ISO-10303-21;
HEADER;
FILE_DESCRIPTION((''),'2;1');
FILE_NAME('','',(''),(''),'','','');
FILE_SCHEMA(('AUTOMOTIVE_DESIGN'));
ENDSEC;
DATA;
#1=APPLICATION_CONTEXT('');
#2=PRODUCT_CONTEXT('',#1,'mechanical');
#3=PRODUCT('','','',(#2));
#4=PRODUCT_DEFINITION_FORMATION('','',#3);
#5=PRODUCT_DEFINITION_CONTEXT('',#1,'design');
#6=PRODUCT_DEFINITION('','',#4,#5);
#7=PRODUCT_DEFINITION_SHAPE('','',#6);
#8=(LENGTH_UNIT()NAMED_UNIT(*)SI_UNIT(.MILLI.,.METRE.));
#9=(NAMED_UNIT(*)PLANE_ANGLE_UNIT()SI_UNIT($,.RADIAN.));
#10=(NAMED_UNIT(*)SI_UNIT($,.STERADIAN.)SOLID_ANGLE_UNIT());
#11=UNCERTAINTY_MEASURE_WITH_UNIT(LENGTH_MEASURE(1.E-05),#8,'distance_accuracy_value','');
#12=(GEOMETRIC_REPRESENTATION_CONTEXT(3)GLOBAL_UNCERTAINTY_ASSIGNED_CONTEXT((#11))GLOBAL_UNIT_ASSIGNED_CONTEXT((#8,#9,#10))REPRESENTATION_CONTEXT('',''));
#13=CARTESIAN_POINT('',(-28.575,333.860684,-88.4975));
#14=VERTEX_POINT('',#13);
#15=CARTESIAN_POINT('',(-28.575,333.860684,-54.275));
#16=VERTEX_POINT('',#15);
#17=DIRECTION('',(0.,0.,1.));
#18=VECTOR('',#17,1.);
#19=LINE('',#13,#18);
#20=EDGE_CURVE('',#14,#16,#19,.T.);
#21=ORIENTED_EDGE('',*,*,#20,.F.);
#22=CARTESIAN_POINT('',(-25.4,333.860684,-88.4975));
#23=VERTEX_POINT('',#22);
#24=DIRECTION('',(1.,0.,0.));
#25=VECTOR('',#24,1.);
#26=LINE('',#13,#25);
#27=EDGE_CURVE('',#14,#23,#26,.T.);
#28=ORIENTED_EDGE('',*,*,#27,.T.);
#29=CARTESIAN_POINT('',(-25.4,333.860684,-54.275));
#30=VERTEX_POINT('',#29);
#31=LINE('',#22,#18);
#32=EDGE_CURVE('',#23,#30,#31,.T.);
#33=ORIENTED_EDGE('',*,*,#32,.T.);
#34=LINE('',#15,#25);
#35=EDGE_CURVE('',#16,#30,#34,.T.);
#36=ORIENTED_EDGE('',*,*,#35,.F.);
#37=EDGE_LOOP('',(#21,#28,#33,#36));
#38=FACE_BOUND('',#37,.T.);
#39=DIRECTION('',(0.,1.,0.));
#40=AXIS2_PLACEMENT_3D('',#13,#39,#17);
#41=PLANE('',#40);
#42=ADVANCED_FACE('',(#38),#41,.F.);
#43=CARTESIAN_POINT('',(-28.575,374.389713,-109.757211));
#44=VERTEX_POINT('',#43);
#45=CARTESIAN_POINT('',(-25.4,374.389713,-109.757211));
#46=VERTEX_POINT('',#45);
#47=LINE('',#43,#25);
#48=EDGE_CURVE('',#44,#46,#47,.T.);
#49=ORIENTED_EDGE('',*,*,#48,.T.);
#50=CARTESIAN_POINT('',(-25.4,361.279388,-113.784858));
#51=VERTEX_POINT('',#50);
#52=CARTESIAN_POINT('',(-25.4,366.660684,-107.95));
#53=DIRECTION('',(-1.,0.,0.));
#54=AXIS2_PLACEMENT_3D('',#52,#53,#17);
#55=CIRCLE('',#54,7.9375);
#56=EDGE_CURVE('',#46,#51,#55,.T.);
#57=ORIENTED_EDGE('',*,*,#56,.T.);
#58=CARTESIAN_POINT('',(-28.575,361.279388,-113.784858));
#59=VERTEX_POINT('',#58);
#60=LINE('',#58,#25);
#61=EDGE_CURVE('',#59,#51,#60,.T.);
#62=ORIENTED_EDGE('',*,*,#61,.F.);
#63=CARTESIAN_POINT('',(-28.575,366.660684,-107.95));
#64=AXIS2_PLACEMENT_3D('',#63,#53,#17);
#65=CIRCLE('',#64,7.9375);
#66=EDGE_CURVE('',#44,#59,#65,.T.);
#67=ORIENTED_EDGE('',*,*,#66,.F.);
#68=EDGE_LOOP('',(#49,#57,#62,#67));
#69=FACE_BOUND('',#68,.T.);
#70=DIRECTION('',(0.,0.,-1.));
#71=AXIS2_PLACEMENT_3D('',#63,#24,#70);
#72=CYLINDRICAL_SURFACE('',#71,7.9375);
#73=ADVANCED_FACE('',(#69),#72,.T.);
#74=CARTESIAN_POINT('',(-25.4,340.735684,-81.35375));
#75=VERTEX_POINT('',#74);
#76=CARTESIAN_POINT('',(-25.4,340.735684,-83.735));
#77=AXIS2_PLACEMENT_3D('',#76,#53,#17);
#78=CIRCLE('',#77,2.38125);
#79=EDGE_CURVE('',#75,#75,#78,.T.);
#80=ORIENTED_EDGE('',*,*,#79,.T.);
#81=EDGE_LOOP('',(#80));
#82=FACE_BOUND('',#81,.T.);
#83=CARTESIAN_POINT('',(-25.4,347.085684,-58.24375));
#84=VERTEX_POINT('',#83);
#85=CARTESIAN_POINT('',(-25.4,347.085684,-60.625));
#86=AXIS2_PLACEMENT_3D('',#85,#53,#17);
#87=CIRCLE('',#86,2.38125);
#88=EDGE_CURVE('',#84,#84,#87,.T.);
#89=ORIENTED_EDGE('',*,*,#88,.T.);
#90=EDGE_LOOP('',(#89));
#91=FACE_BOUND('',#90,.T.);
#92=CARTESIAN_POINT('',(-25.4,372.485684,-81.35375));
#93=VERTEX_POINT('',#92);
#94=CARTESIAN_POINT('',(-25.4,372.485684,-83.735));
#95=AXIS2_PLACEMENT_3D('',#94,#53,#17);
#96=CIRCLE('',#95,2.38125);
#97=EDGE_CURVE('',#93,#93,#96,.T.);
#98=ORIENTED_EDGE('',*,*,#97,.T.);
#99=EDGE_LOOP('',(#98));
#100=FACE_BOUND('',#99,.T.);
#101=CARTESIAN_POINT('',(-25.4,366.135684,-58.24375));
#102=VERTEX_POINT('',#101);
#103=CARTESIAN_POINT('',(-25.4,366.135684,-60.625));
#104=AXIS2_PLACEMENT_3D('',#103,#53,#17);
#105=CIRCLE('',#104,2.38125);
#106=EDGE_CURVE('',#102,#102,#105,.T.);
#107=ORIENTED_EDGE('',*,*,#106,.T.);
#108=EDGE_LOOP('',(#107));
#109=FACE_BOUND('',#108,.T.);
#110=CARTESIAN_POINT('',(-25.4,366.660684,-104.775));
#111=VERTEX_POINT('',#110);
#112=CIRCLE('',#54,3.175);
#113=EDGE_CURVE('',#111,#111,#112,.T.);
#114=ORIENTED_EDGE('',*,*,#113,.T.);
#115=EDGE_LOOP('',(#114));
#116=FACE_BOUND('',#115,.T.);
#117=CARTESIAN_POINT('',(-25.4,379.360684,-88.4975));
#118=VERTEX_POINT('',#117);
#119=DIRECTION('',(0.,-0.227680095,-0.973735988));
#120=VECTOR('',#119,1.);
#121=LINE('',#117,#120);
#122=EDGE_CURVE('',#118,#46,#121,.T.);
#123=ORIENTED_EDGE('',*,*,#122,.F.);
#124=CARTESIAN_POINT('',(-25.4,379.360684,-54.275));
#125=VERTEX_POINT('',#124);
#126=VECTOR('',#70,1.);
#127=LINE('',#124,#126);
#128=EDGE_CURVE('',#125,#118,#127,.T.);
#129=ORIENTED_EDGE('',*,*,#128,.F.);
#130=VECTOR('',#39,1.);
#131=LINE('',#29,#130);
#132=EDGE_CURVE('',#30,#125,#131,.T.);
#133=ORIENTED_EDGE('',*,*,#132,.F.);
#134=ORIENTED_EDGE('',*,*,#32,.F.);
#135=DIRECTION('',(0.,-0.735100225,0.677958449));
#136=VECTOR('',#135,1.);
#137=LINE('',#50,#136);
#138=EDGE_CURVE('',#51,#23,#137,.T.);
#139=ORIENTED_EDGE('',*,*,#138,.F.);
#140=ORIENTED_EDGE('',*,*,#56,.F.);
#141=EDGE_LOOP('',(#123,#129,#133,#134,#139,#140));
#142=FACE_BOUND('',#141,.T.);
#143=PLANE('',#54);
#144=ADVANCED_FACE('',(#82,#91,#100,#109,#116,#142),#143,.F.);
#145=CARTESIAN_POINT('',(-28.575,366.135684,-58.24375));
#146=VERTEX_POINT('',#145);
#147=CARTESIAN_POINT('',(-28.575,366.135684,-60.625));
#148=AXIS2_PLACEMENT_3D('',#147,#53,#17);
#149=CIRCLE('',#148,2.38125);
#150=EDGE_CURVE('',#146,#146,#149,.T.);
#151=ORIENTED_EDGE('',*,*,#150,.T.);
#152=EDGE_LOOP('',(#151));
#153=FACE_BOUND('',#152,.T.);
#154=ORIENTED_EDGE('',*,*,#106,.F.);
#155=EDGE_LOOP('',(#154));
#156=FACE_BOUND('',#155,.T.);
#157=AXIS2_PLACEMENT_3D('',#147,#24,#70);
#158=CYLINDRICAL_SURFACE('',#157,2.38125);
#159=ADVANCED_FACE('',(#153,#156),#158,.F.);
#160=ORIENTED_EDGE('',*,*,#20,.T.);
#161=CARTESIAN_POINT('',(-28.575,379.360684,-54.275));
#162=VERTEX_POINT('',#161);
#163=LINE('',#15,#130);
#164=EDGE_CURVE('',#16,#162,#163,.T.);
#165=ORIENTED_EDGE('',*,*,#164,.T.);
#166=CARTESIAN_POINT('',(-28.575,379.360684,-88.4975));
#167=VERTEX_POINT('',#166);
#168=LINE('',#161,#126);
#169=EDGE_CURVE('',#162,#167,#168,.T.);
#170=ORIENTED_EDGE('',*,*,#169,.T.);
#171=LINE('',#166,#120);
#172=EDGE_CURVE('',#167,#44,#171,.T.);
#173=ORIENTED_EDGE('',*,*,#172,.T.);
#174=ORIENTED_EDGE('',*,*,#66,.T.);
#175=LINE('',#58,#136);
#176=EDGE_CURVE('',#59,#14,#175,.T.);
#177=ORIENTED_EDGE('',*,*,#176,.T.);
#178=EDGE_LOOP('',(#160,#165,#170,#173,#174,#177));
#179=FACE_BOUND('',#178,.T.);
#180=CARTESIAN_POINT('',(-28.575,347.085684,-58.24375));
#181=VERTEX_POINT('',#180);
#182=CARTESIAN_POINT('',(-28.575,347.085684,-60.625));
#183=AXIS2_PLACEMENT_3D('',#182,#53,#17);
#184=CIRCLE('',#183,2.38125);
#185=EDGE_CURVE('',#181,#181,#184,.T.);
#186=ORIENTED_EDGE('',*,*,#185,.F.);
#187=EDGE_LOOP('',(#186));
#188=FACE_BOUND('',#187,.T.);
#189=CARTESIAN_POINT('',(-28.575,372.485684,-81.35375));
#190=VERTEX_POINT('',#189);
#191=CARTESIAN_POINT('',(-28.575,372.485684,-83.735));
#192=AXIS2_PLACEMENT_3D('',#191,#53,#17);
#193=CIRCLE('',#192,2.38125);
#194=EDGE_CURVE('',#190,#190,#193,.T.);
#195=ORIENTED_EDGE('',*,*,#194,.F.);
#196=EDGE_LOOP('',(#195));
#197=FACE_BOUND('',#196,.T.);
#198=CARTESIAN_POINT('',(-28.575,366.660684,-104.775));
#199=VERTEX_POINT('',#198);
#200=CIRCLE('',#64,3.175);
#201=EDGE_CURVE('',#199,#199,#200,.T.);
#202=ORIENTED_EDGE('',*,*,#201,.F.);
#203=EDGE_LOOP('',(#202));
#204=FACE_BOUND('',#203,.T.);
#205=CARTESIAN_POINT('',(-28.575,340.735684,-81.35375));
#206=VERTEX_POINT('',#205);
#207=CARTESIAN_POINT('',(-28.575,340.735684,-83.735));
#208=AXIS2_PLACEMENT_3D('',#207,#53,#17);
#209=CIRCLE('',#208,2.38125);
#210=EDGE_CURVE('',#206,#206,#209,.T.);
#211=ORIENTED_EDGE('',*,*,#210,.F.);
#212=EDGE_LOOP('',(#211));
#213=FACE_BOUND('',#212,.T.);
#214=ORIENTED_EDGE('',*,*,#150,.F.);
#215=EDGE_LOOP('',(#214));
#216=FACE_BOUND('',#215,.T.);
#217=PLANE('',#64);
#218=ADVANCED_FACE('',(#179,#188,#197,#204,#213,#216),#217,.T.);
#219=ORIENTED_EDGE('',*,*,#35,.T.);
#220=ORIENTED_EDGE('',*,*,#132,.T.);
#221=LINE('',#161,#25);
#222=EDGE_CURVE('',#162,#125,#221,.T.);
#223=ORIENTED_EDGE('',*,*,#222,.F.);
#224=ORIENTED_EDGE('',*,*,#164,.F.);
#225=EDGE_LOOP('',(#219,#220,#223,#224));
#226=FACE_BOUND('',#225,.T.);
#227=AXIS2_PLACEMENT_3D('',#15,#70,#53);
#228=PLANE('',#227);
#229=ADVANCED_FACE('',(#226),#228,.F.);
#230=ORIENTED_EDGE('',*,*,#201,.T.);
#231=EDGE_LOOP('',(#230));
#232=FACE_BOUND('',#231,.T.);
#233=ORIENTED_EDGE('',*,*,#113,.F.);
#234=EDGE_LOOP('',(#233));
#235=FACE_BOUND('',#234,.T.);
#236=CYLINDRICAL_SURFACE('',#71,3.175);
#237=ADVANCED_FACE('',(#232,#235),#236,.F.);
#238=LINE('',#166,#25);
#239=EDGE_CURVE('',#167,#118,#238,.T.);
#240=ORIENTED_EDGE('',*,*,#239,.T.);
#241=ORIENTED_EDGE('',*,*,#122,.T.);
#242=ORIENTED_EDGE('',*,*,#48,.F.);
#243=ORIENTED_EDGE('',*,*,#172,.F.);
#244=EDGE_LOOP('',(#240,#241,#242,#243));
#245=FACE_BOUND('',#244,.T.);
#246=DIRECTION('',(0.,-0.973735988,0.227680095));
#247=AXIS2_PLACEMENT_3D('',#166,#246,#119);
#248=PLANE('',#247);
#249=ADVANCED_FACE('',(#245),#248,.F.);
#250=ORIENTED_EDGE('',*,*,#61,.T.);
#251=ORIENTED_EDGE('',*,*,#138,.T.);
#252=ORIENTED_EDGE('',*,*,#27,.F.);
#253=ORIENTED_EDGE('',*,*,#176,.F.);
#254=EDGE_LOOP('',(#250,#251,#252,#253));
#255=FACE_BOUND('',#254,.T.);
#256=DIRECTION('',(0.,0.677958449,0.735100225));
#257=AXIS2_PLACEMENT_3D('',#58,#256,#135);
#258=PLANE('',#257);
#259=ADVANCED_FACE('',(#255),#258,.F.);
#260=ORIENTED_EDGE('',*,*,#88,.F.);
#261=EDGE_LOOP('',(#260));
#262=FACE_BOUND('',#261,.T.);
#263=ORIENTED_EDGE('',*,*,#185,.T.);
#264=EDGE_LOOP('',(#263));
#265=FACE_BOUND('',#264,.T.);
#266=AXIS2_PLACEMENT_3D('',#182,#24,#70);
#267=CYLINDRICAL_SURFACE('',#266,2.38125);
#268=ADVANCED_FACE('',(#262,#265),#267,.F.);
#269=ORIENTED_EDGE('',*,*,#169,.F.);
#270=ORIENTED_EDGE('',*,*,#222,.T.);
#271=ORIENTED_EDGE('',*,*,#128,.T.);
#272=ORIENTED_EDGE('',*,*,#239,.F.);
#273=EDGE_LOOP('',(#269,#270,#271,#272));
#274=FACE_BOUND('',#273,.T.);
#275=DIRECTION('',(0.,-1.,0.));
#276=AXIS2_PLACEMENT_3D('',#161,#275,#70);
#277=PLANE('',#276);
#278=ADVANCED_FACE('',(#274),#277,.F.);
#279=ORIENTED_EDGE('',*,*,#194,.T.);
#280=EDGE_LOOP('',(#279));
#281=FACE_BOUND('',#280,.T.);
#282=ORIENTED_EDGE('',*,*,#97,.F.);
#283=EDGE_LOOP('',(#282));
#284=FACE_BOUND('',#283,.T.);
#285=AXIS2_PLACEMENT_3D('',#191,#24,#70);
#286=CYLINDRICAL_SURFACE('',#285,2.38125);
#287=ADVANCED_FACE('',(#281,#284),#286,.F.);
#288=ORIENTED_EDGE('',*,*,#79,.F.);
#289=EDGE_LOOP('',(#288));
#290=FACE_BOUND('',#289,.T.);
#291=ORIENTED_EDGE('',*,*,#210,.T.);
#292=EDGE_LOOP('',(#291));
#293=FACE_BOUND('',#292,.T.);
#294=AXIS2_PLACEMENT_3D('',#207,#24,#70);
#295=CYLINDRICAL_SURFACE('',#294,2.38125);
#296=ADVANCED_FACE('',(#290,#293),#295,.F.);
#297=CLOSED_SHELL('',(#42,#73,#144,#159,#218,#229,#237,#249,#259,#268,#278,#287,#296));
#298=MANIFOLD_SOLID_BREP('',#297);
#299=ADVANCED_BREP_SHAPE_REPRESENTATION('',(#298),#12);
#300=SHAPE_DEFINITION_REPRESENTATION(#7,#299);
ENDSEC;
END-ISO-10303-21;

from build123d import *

# Parameters (mm, degrees)
SKETCH1_R           = 2.38125
SKETCH1_R_2         = 3.175
BOSS_EXTRUDE1_DEPTH = 3.175


with BuildPart() as part:
    # Sketch1 → Boss-Extrude1 (new body)
    with BuildSketch(Plane.ZY.offset(25.4)):
        with BuildLine():
            Line((-54.275, 379.360683619), (-88.4975, 379.360683619))
            Line((-88.4975, 379.360683619), (-109.757210754, 374.389713024))
            ThreePointArc((-109.757210754, 374.389713024), (-115.537519793, 368.991659734), (-113.784858038, 361.279388429))
            Line((-113.784858038, 361.279388429), (-88.4975, 333.860683619))
            Line((-88.4975, 333.860683619), (-54.275, 333.860683619))
            Line((-54.275, 333.860683619), (-54.275, 379.360683619))
        make_face()
        with Locations((-83.735, 372.485683619)):
            Circle(SKETCH1_R, mode=Mode.SUBTRACT)
        with Locations((-83.735, 340.735683619)):
            Circle(SKETCH1_R, mode=Mode.SUBTRACT)
        with Locations((-60.625, 366.135683619)):
            Circle(SKETCH1_R, mode=Mode.SUBTRACT)
        with Locations((-60.625, 347.085683619)):
            Circle(SKETCH1_R, mode=Mode.SUBTRACT)
        with Locations((-107.95, 366.660683619)):
            Circle(SKETCH1_R_2, mode=Mode.SUBTRACT)
    extrude(amount=BOSS_EXTRUDE1_DEPTH)


solid = part.part
